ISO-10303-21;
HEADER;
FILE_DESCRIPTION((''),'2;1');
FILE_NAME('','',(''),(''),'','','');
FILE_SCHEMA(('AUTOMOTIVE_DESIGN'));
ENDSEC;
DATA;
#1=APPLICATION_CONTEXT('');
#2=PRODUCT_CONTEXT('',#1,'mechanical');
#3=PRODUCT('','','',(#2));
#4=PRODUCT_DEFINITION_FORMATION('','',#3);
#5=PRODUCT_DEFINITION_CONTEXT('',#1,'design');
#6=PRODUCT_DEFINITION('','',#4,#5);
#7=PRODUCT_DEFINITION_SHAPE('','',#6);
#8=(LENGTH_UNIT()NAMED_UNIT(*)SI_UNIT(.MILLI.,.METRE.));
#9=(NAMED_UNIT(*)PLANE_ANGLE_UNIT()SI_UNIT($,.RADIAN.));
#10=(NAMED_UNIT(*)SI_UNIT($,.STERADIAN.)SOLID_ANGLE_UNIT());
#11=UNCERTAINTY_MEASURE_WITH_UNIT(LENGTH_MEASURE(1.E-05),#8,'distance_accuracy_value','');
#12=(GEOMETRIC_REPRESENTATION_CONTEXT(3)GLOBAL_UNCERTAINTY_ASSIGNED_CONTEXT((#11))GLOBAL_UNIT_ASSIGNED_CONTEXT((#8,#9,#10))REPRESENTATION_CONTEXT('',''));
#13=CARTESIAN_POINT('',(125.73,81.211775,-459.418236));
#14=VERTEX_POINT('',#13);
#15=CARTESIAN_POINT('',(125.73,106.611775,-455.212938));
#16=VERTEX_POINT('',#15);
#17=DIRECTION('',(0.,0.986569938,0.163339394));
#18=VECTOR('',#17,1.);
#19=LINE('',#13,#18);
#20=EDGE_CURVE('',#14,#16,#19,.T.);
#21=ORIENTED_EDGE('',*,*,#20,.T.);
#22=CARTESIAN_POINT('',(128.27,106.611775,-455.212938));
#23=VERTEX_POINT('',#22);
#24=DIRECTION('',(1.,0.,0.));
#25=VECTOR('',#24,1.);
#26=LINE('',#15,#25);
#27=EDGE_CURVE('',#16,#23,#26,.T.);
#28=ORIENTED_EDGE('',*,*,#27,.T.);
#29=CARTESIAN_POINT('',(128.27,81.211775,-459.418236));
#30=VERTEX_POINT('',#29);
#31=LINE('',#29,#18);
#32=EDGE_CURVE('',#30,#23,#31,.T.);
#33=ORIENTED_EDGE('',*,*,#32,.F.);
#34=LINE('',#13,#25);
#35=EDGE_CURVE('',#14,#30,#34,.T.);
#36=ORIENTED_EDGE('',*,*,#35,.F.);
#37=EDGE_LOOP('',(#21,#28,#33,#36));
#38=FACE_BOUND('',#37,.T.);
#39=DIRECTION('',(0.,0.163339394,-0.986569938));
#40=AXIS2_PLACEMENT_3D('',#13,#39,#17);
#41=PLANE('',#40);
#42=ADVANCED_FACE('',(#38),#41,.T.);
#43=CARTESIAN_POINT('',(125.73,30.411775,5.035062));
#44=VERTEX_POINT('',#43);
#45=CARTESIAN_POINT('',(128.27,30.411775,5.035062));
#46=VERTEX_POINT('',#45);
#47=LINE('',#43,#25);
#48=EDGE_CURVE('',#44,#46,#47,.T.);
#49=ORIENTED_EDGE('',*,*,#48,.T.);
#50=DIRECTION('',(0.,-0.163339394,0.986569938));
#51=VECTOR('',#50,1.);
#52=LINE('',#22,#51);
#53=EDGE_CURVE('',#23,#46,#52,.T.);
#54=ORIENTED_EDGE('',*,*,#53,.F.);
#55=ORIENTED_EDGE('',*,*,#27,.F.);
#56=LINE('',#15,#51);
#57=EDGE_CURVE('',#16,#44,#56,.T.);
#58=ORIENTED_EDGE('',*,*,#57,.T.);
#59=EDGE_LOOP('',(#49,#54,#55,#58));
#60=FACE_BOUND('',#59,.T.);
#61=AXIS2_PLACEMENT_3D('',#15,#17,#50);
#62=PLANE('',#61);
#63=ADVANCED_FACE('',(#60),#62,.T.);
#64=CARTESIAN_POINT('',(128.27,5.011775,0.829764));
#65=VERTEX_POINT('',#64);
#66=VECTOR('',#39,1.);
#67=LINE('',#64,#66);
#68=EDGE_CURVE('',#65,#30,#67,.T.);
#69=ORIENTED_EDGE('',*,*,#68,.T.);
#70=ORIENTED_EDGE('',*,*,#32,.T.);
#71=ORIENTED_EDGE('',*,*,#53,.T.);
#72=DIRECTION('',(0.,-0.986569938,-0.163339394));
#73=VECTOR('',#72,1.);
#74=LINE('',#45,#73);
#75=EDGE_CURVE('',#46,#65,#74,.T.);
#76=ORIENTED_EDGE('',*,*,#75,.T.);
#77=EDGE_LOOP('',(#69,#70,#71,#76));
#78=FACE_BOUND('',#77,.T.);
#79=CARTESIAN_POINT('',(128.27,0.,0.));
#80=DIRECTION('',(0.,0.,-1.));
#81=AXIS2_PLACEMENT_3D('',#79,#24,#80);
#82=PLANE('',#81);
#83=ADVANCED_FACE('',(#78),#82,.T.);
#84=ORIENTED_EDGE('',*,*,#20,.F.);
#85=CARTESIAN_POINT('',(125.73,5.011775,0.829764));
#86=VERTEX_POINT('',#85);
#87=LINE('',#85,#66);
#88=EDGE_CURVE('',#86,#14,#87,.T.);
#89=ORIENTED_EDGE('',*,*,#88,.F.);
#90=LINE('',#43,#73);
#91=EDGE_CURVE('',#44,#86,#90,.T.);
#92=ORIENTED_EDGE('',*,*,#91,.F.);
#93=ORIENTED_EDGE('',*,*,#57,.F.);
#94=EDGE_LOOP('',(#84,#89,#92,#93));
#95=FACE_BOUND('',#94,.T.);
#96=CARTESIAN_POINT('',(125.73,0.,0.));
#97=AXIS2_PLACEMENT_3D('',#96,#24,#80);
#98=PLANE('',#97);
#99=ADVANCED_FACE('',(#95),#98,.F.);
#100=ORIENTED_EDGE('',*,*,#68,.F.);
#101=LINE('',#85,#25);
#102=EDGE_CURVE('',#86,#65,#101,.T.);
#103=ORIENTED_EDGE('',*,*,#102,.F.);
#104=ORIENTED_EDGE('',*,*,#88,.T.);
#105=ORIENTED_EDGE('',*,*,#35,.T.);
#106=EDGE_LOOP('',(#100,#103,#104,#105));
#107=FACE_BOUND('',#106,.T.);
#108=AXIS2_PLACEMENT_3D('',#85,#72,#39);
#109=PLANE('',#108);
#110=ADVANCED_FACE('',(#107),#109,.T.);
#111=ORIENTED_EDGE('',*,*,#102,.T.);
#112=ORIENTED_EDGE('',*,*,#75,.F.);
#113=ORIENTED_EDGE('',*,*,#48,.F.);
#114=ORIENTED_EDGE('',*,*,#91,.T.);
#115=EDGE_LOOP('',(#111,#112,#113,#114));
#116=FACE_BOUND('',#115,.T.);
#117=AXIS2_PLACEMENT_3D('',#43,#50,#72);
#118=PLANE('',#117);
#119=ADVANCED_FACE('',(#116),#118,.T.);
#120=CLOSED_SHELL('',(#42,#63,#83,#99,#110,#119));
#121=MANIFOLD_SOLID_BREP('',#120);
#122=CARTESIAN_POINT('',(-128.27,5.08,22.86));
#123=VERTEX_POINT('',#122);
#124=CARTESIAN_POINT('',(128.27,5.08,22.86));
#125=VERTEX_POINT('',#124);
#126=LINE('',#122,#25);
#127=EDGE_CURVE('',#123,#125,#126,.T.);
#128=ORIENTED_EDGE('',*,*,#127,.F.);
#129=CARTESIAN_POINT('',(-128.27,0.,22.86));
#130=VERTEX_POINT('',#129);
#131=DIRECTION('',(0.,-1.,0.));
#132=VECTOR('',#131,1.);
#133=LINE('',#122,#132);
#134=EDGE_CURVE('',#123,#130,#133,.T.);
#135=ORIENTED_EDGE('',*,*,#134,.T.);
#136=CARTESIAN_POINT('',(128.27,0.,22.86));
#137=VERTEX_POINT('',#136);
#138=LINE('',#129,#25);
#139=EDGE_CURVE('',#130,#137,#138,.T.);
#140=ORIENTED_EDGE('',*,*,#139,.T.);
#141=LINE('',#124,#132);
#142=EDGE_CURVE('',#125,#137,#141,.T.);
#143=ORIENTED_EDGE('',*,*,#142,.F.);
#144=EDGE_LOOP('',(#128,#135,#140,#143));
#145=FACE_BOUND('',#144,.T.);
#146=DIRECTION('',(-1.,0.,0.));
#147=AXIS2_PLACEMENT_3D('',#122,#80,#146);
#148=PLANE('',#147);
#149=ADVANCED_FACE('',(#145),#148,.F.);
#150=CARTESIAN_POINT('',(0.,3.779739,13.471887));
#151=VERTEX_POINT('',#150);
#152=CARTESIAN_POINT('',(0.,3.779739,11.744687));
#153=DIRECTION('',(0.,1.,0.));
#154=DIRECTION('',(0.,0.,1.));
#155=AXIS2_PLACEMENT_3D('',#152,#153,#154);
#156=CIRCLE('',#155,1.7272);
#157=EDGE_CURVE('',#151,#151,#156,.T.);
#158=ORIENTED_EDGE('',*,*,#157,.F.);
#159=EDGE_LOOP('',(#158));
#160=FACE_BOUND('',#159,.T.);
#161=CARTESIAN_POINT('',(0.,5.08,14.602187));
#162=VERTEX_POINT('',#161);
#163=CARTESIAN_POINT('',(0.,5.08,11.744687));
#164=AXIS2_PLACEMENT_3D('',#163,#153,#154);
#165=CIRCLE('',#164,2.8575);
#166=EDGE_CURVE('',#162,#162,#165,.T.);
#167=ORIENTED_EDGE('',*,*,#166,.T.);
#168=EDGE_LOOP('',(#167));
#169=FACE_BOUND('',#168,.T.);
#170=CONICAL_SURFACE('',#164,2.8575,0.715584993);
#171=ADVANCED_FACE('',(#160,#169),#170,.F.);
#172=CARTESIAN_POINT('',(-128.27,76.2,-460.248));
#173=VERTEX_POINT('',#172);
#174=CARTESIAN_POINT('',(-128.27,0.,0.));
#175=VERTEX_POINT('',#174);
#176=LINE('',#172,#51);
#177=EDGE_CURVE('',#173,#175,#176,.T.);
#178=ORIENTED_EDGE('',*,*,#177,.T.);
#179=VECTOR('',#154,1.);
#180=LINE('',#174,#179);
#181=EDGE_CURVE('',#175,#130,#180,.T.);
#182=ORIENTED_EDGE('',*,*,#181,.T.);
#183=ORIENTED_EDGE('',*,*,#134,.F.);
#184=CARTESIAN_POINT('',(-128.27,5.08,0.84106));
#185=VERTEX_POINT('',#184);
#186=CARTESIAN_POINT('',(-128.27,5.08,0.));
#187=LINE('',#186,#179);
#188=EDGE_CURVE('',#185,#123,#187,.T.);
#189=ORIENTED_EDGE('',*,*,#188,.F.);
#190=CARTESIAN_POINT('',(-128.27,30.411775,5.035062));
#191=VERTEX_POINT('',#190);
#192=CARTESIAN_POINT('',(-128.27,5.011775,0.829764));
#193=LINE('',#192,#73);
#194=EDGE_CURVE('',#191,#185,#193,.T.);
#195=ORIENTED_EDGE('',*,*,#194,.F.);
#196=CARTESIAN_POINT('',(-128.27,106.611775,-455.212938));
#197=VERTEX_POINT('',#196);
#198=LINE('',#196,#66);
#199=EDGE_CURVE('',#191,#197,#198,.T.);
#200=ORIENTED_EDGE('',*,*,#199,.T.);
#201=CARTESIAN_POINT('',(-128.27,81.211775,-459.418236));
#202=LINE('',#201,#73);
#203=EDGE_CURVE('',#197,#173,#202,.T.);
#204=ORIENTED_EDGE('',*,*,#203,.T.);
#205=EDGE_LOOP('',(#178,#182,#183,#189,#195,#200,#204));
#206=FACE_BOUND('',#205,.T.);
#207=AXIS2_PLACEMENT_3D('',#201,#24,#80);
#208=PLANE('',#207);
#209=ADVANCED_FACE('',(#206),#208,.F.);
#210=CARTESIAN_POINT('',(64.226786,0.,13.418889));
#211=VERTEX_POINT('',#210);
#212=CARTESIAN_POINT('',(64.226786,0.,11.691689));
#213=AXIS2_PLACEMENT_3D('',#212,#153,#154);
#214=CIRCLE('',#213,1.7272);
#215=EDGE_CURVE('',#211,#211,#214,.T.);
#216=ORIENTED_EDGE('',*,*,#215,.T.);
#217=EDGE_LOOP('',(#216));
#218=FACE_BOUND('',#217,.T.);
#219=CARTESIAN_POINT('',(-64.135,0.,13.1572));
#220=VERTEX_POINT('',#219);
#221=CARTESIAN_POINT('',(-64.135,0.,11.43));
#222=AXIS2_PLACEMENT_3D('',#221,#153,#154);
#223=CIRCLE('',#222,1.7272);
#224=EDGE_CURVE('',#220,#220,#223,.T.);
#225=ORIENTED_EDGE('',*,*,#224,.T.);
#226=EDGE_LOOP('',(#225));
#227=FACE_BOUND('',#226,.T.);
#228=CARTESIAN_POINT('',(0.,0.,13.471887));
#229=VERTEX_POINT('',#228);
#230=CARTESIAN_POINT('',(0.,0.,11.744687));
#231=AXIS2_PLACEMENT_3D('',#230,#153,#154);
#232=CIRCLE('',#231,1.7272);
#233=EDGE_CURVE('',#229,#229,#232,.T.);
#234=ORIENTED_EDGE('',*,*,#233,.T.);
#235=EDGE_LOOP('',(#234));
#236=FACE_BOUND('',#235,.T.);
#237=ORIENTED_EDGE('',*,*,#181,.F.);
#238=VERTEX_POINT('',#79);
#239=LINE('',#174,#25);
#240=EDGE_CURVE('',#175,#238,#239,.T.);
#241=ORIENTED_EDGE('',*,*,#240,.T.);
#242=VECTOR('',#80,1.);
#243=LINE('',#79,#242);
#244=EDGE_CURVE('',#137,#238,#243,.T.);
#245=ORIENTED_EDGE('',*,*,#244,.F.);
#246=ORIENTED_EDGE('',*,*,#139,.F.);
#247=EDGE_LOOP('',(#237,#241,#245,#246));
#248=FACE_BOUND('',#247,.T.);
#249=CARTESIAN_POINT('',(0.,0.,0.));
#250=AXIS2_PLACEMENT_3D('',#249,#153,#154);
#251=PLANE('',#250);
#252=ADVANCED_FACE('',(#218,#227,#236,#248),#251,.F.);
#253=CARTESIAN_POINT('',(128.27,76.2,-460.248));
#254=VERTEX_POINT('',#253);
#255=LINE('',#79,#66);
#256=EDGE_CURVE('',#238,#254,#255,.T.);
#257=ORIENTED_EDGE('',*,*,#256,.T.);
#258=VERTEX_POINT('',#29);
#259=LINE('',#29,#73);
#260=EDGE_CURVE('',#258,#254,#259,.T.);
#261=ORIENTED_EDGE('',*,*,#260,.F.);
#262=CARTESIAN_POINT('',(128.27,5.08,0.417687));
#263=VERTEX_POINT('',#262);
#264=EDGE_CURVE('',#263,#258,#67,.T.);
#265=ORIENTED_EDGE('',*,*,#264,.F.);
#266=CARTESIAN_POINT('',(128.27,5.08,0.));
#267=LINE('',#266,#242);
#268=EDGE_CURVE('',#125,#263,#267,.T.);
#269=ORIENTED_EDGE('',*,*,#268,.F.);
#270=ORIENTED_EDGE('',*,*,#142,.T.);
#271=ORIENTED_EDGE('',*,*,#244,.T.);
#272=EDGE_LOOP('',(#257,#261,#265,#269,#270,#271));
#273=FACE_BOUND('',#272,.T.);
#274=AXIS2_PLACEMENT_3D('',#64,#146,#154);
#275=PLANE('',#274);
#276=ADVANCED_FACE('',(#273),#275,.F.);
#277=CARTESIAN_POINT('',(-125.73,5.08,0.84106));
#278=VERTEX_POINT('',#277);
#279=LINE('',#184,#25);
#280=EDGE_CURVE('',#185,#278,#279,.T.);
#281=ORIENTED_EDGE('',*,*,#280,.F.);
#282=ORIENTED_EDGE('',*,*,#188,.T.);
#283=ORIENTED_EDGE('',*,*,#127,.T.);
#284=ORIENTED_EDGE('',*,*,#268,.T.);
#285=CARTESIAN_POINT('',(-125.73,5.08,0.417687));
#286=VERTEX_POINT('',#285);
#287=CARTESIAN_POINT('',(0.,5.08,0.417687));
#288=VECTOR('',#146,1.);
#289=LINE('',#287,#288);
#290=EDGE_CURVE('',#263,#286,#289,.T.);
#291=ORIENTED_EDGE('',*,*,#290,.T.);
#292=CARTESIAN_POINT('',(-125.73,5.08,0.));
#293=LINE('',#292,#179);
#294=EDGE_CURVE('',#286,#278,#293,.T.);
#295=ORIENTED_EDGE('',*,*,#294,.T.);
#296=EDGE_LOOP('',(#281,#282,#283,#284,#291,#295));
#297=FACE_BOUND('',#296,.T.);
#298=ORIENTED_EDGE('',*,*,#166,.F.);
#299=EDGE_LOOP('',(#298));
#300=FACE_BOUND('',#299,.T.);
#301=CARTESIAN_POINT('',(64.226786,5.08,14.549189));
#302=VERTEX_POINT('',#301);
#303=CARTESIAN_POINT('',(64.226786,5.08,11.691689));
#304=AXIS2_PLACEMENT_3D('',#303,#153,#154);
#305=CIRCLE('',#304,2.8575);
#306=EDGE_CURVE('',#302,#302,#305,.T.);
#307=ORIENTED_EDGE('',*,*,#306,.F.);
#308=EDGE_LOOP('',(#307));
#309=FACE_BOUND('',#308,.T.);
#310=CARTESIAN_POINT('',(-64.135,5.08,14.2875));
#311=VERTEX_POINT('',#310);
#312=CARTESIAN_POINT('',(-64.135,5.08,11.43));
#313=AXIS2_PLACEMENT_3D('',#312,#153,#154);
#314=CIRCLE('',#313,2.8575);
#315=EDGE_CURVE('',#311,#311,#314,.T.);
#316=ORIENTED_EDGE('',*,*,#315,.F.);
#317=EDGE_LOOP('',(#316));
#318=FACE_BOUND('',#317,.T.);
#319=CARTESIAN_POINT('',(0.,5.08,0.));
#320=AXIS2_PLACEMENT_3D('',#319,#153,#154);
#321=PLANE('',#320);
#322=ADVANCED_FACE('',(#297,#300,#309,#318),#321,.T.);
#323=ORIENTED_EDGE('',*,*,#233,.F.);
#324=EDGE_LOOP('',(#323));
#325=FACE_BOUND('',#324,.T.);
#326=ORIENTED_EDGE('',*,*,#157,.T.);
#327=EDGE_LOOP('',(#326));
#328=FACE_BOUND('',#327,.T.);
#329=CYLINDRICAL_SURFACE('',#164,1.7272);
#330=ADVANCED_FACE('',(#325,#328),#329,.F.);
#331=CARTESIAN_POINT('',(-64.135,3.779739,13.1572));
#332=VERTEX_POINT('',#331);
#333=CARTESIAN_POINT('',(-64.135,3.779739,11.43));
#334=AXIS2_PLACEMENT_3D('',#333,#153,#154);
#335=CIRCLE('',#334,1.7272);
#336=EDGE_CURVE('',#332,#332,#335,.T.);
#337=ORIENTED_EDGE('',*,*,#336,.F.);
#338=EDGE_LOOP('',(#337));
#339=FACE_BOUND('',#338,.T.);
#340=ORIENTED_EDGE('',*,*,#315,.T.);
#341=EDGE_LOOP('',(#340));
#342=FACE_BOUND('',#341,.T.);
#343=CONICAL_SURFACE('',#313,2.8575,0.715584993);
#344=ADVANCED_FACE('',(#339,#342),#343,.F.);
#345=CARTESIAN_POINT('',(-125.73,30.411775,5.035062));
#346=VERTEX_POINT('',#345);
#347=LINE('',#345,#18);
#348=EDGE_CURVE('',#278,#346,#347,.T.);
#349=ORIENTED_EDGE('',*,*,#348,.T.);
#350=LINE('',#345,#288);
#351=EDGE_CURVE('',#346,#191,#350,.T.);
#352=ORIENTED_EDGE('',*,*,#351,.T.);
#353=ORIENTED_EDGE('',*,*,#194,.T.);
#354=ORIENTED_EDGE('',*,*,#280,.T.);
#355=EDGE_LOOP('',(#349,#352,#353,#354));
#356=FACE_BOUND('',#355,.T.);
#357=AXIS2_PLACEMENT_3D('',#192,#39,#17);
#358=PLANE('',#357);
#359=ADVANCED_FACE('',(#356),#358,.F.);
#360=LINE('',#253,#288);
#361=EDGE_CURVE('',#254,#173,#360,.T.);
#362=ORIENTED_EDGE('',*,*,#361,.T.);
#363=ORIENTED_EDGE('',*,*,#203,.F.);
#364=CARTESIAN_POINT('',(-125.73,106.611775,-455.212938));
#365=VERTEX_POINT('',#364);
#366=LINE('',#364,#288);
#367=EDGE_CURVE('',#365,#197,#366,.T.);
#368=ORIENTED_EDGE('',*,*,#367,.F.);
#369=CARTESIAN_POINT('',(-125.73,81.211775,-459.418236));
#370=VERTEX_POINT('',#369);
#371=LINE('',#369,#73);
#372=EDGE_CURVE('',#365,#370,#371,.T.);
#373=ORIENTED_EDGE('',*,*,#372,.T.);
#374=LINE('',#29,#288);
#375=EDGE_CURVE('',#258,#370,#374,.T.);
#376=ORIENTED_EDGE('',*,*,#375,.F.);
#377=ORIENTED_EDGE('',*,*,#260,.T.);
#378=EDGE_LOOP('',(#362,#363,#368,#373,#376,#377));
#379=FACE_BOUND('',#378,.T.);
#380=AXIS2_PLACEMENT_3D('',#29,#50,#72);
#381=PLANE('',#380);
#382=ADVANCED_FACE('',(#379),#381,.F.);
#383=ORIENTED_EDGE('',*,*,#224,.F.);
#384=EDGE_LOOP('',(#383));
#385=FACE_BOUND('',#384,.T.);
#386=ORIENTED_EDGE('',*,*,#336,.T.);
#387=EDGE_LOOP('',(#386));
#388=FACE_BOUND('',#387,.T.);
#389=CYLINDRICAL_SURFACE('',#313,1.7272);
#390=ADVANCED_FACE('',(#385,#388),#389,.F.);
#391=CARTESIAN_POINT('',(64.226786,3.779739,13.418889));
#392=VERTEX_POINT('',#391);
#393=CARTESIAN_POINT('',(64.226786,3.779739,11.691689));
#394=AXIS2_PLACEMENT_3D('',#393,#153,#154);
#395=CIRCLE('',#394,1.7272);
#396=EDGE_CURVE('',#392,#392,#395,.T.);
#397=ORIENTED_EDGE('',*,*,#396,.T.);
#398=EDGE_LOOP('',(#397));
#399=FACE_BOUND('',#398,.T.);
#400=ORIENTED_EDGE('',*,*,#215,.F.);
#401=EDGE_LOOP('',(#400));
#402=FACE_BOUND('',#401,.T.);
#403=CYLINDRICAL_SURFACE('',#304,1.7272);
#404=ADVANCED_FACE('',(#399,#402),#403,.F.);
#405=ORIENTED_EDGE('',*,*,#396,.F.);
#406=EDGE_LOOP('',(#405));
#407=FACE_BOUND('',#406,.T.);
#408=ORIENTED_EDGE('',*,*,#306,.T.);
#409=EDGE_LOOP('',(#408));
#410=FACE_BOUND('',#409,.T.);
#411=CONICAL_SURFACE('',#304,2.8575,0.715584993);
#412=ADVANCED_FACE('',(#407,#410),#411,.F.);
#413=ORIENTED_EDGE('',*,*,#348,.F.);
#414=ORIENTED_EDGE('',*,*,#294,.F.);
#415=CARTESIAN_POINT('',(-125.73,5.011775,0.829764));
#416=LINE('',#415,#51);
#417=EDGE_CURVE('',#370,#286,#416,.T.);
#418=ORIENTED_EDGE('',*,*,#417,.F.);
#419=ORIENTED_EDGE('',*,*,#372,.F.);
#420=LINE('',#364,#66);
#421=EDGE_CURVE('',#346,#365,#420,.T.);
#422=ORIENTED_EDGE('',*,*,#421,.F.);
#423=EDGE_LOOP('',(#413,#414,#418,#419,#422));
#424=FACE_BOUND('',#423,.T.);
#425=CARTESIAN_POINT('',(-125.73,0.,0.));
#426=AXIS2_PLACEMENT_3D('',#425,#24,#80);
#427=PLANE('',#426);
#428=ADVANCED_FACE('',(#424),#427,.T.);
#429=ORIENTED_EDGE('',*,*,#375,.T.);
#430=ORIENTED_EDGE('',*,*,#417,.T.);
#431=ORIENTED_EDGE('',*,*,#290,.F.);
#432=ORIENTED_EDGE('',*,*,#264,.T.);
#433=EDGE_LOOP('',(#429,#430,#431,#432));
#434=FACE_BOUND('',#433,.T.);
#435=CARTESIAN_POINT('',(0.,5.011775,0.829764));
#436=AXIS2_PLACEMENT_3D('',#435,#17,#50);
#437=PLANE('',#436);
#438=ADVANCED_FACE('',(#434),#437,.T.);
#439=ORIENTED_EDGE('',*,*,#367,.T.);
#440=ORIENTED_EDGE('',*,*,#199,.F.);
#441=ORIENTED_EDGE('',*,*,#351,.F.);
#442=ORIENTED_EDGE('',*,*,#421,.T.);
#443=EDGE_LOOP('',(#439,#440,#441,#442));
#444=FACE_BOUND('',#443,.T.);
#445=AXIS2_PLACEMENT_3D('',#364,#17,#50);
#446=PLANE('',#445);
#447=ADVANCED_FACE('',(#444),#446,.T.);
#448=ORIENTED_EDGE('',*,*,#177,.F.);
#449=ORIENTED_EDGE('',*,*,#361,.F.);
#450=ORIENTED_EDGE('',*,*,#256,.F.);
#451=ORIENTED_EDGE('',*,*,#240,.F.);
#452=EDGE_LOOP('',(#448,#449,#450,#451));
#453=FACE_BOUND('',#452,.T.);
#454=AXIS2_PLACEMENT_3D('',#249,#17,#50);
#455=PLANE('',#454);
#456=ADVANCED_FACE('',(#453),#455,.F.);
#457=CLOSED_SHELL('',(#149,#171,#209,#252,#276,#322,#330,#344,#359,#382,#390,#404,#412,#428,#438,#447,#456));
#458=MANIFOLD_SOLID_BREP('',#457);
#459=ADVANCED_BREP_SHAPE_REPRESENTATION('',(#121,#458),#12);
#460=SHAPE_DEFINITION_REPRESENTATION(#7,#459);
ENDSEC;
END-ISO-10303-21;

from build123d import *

# Parameters (mm, degrees)
SKETCH3_W                                     = 256.54
SKETCH3_H                                     = 466.513302601
BOSS_EXTRUDE1_DEPTH                           = 5.08
BOSS_EXTRUDE2_DEPTH                           = 2.54
BOSS_EXTRUDE3_DEPTH                           = 2.54
SKETCH7_W                                     = 256.54
SKETCH7_H                                     = 22.86
BOSS_EXTRUDE5_DEPTH                           = 5.08
CSK_FOR_4_FLAT_HEAD_MACHINE_SCREW1_AT_2_COUNT = 2
CSK_FOR_4_FLAT_HEAD_MACHINE_SCREW1_AT_2_PITCH = 64.13577202
CSK_FOR_4_FLAT_HEAD_MACHINE_SCREW1_AT_3_COUNT = 2
CSK_FOR_4_FLAT_HEAD_MACHINE_SCREW1_AT_3_PITCH = 128.362052605


with BuildPart() as part:
    # Sketch3 → Boss-Extrude1 (new body)
    with BuildSketch(Plane(origin=(0, 0, 0), x_dir=(1, 0, 0), z_dir=(0, 0.9865699379494779, 0.16333939370024467))):
        with Locations((0, 233.256651301)):
            Rectangle(SKETCH3_W, SKETCH3_H)
    extrude(amount=BOSS_EXTRUDE1_DEPTH)

    # Sketch5 → Boss-Extrude3 (add)
    with BuildSketch(Plane.ZY.offset(128.27)):
        Polygon((-459.41823588, 81.211775285), (-455.212937867, 106.611775285), (5.035062133, 30.411775285), (0.82976412, 5.011775285), align=None)
    extrude(amount=-BOSS_EXTRUDE3_DEPTH)

    # Sketch7 → Boss-Extrude5 (add)
    with BuildSketch(Plane(origin=(0, 0, 0), x_dir=(1, 0, 0), z_dir=(0, 1, 0))):
        with Locations((0, -11.43)):
            Rectangle(SKETCH7_W, SKETCH7_H)
    extrude(amount=BOSS_EXTRUDE5_DEPTH)

    # Sketch10 → CSK for #4 Flat Head Machine Screw1 (revolve, cut)
    with BuildSketch(Plane(origin=(-64.135, 5.08, 11.43), x_dir=(0, 0, 1), z_dir=(1, 0, 0))):
        Polygon((0, 0), (0, 5.08), (1.7272, 5.08), (1.7272, 1.300261411), (2.8575, 0), align=None)
    csk_for_4_flat_head_machine_screw1 = revolve(axis=Axis((-64.135, 11.43, 11.43), (0, -1, 0)), mode=Mode.SUBTRACT)

    # CSK for #4 Flat Head Machine Screw1 at 2: CSK for #4 Flat Head Machine Screw1 ×2
    with Locations(*[Vector(0.9999879627163539, 0, 0.004906569310242864) * (i * CSK_FOR_4_FLAT_HEAD_MACHINE_SCREW1_AT_2_PITCH) for i in range(1, CSK_FOR_4_FLAT_HEAD_MACHINE_SCREW1_AT_2_COUNT)]):
        add(csk_for_4_flat_head_machine_screw1, mode=Mode.SUBTRACT)

    # CSK for #4 Flat Head Machine Screw1 at 3: CSK for #4 Flat Head Machine Screw1 ×2
    with Locations(*[Vector(0.9999979218877366, 0, 0.0020386809972081535) * (i * CSK_FOR_4_FLAT_HEAD_MACHINE_SCREW1_AT_3_PITCH) for i in range(1, CSK_FOR_4_FLAT_HEAD_MACHINE_SCREW1_AT_3_COUNT)]):
        add(csk_for_4_flat_head_machine_screw1, mode=Mode.SUBTRACT)


with BuildPart() as body_2:
    # Sketch4 → Boss-Extrude2 (new body)
    with BuildSketch(Plane(origin=(128.27, 0, 0), x_dir=(0, 0, -1), z_dir=(1, 0, 0))):
        Polygon((-0.82976412, 5.011775285), (459.41823588, 81.211775285), (455.212937867, 106.611775285), (-5.035062133, 30.411775285), align=None)
    extrude(amount=-BOSS_EXTRUDE2_DEPTH)


solid = Compound([part.part, body_2.part])
